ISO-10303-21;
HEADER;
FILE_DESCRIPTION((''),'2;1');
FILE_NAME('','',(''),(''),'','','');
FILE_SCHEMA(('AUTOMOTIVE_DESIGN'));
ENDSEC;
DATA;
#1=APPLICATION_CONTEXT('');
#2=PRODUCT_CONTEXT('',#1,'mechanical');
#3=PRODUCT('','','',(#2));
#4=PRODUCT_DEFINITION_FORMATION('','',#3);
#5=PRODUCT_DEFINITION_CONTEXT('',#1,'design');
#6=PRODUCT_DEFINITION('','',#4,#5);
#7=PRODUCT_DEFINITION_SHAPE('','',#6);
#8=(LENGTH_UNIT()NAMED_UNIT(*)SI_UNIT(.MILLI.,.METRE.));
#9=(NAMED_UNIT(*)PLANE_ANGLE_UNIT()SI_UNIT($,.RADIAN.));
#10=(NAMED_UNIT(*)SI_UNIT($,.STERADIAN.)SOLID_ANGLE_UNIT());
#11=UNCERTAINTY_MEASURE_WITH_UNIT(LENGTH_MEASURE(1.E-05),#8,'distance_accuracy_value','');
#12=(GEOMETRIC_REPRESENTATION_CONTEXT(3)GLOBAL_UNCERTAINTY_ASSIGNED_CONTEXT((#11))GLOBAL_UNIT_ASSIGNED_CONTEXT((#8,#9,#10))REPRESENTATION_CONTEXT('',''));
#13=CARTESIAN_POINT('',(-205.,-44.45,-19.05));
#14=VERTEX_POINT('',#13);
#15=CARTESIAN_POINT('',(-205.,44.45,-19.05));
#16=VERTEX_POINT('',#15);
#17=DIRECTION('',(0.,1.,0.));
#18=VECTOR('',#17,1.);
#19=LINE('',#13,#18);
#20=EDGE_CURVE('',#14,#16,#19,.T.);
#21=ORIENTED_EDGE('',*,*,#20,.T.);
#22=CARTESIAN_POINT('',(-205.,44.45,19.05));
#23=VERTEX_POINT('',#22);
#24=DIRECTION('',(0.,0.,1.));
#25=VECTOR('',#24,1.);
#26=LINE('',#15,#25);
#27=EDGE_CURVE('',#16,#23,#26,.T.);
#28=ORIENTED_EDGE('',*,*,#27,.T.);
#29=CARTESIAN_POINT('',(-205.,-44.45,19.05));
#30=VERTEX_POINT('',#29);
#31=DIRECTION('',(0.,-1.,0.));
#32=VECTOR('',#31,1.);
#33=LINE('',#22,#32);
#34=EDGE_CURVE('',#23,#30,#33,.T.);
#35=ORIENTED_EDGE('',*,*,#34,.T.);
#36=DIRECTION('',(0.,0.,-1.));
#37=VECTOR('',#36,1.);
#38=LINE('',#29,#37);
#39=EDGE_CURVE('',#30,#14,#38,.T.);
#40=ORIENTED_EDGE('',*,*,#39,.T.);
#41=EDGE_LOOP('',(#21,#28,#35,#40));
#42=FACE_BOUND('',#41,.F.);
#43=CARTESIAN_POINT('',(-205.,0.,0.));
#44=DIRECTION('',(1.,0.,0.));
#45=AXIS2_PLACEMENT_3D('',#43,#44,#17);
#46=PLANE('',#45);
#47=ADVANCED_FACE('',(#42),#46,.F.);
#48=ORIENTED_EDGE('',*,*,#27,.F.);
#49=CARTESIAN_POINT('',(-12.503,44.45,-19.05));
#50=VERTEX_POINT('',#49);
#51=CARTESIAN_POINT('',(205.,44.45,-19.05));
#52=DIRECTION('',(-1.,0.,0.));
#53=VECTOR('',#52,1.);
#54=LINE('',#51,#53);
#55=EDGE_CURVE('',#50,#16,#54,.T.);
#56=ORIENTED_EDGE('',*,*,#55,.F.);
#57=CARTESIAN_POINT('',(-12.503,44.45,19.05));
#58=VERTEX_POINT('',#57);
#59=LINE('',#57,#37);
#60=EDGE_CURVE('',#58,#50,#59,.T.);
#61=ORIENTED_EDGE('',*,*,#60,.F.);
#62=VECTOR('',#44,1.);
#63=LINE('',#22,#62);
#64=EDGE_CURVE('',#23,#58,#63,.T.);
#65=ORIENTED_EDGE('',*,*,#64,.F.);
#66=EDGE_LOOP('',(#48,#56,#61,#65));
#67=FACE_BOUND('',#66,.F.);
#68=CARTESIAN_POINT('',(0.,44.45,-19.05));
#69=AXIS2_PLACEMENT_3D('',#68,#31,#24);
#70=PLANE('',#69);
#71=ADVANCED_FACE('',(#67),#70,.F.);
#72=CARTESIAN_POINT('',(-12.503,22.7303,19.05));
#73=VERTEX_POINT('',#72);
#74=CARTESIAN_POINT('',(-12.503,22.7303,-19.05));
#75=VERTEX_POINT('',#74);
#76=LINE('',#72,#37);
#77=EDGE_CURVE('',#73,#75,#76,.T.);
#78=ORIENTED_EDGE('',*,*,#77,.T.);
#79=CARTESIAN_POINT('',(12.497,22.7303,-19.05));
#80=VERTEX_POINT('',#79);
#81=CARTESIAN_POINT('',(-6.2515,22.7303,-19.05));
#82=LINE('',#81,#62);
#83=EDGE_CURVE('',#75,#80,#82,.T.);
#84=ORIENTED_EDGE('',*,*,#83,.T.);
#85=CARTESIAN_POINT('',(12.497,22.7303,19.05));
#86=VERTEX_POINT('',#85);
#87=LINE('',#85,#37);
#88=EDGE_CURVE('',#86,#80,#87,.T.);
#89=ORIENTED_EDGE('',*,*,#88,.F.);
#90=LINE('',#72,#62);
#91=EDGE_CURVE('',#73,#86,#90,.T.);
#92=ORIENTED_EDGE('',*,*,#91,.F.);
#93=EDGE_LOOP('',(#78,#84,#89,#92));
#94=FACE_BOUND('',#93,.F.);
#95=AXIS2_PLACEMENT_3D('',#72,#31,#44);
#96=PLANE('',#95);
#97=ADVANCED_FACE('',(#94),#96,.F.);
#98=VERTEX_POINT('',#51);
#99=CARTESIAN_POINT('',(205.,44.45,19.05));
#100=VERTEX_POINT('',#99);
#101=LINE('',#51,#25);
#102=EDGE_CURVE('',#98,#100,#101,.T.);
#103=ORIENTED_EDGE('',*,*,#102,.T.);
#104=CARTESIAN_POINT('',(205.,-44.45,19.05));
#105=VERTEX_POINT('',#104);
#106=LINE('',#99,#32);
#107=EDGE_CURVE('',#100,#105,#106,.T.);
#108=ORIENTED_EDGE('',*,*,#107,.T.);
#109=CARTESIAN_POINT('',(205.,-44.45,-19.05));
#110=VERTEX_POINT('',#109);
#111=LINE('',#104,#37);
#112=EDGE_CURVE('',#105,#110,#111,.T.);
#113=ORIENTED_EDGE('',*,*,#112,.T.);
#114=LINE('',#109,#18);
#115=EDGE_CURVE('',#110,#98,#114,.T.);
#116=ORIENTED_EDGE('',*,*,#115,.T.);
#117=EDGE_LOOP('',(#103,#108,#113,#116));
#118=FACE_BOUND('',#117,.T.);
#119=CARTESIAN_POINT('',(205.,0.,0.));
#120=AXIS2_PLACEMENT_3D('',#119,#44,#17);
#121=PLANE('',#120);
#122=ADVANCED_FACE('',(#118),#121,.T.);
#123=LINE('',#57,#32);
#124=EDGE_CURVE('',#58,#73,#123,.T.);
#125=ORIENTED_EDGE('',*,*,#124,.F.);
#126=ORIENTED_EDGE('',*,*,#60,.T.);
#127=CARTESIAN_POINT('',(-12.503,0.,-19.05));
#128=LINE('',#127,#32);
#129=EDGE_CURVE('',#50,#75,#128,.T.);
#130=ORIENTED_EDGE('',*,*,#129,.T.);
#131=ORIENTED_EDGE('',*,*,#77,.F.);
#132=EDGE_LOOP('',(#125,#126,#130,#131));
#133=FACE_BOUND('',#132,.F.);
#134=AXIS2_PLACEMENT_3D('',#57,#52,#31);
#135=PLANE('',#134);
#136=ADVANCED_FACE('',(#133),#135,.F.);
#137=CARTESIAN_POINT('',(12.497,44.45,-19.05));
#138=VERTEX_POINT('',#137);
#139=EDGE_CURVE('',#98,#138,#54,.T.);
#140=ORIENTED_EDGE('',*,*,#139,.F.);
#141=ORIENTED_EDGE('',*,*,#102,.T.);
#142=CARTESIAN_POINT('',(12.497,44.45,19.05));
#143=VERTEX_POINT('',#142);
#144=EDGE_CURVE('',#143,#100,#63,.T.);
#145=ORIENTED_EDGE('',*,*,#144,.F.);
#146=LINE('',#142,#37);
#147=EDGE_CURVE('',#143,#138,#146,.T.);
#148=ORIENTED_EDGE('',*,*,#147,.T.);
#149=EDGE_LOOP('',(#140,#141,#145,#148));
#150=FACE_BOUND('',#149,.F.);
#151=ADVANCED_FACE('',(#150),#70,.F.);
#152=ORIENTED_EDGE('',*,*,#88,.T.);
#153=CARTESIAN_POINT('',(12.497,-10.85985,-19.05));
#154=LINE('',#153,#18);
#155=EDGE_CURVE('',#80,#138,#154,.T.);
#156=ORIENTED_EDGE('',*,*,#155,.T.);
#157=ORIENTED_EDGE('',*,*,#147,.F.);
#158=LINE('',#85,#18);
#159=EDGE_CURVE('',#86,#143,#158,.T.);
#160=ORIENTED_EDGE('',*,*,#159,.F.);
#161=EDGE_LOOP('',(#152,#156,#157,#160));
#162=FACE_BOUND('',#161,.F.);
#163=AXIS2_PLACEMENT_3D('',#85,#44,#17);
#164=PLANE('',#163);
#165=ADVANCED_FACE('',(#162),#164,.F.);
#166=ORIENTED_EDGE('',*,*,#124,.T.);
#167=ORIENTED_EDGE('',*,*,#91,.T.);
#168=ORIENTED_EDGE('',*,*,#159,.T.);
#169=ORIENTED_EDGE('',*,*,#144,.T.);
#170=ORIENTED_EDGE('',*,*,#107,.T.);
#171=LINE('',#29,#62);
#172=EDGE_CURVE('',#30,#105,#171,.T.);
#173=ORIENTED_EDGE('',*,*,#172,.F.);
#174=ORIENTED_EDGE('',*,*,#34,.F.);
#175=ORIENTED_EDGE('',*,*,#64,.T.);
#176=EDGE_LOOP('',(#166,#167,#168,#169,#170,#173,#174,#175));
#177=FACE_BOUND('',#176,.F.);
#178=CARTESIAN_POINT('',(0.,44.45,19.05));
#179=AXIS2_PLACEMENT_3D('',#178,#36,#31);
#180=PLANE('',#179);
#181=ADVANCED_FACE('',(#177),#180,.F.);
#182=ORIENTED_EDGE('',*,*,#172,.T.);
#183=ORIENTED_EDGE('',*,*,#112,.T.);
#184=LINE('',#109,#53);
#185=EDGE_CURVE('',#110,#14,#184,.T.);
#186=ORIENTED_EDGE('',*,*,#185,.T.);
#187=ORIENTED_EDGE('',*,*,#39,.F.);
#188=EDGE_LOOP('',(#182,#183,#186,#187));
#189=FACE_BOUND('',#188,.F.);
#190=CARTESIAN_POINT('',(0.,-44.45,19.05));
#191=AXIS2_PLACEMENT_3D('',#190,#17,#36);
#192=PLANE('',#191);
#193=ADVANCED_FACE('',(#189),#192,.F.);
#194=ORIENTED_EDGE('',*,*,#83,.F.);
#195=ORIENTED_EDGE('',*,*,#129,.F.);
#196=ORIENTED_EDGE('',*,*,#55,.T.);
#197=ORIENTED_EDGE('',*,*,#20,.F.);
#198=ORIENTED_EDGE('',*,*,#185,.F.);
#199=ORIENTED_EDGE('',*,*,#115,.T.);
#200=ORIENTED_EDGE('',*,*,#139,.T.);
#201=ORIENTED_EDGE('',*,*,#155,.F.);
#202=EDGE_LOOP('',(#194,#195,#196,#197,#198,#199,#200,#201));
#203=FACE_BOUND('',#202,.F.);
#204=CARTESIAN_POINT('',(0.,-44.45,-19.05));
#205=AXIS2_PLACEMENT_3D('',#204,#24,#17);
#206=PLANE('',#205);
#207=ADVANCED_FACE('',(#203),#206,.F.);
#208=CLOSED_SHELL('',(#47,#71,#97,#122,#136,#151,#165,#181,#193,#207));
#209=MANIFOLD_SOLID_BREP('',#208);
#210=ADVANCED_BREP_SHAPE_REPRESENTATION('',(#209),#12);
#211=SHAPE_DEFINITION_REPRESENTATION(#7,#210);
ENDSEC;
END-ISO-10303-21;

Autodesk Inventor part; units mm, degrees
ref_plane "YZ Plane" through (0, 0, 0) normal (1, 0, 0) x (0, 1, 0)
ref_plane "XZ Plane" through (0, 0, 0) normal (0, 1, 0) x (-1, 0, 0)
ref_plane "XY Plane" through (0, 0, 0) normal (0, 0, 1) x (1, 0, 0)
sketch "Sketch1" plane through (0, 0, 0) normal (1, 0, 0) x (0, 1, 0)
  line L0 (44.45, 19.05) -> (-44.45, 19.05)
  line L1 (-44.45, 19.05) -> (-44.45, -19.05)
  line L2 (-44.45, -19.05) -> (44.45, -19.05)
  line L3 (44.45, -19.05) -> (44.45, 19.05)
  line L4 (44.45, 19.05) -> (-44.45, -19.05) construction
  line L5 (-44.45, 19.05) -> (44.45, -19.05) construction
  point P0 (0, 0)
  dimension "d0" = 88.9
  dimension "d1" = 38.1
extrude "Extrusion1" add sketch "Sketch1" along normal mid plane 410
sketch "Sketch2" plane through (-205, -44.45, 19.05) normal (0, 0, 1) x (1, 0, 0)
  line L0 (0, 88.9) -> (0, 0) projected
  line L1 (0, 67.1803) -> (192.497, 67.1803)
  line L2 (0, 88.9) -> (410, 88.9) projected
  line L3 (192.497, 88.9) -> (192.497, 67.1803)
  line L4 (192.497, 67.1803) -> (217.497, 67.1803)
  line L5 (217.497, 67.1803) -> (217.497, 88.9)
  point P0 (205, 44.45)
  dimension "d14" = 192.497
  dimension "d15" = 25
extrude "Extrusion2" cut sketch "Sketch2" against normal blind 166.2125 contours L2 L5 L4 L3
properties part number "CNC_1.1v_X_1(faceplate)"
